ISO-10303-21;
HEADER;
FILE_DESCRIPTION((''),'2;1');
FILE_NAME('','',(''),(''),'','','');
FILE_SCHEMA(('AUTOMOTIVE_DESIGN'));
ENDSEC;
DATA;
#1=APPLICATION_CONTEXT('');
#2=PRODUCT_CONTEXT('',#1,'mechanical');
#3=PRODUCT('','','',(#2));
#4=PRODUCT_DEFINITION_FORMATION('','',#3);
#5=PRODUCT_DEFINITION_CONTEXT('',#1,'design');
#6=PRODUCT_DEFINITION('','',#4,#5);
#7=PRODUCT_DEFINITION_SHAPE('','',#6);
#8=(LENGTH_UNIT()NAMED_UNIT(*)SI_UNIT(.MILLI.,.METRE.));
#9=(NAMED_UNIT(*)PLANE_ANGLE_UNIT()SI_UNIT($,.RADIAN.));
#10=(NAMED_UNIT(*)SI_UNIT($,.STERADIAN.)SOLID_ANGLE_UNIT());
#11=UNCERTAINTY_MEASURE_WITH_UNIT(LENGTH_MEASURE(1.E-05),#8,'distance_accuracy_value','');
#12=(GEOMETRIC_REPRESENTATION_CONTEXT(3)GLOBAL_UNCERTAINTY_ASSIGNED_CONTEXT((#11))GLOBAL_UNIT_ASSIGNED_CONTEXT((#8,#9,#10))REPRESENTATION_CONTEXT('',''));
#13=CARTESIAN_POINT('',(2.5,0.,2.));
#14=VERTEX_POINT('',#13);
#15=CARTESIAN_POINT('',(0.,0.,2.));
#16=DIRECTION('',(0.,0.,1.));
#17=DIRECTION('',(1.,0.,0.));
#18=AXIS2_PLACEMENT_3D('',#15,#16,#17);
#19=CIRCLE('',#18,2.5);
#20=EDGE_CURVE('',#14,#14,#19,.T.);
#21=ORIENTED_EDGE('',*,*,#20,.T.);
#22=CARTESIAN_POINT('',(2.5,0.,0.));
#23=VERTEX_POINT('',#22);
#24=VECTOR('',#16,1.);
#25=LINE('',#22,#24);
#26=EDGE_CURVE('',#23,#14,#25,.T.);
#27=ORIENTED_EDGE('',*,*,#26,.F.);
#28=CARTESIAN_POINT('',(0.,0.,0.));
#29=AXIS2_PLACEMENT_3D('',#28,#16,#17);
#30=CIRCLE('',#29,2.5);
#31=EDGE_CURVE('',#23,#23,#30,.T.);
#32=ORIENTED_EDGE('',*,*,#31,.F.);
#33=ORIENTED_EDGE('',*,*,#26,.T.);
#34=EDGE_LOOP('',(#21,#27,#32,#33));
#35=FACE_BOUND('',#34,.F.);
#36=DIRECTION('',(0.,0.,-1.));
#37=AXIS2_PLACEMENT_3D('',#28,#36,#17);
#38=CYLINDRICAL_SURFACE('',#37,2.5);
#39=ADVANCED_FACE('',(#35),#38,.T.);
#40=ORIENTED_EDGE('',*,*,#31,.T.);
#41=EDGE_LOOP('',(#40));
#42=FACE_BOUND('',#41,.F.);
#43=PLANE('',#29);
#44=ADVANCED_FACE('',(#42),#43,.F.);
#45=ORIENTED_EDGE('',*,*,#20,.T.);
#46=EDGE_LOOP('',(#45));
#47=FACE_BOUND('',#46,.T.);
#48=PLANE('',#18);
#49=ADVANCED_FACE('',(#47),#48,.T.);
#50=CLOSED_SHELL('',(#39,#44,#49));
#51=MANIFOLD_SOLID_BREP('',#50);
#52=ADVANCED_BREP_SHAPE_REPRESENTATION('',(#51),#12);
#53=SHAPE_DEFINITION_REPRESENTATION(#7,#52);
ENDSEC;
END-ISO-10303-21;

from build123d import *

# Parameters (mm, degrees)
CROQUIS1_R              = 2.5
SALIENTE_EXTRUIR1_DEPTH = 2


with BuildPart() as part:
    # Croquis1 → Saliente-Extruir1 (new body)
    with BuildSketch(Plane.XY):
        Circle(CROQUIS1_R)
    extrude(amount=SALIENTE_EXTRUIR1_DEPTH)


solid = part.part
